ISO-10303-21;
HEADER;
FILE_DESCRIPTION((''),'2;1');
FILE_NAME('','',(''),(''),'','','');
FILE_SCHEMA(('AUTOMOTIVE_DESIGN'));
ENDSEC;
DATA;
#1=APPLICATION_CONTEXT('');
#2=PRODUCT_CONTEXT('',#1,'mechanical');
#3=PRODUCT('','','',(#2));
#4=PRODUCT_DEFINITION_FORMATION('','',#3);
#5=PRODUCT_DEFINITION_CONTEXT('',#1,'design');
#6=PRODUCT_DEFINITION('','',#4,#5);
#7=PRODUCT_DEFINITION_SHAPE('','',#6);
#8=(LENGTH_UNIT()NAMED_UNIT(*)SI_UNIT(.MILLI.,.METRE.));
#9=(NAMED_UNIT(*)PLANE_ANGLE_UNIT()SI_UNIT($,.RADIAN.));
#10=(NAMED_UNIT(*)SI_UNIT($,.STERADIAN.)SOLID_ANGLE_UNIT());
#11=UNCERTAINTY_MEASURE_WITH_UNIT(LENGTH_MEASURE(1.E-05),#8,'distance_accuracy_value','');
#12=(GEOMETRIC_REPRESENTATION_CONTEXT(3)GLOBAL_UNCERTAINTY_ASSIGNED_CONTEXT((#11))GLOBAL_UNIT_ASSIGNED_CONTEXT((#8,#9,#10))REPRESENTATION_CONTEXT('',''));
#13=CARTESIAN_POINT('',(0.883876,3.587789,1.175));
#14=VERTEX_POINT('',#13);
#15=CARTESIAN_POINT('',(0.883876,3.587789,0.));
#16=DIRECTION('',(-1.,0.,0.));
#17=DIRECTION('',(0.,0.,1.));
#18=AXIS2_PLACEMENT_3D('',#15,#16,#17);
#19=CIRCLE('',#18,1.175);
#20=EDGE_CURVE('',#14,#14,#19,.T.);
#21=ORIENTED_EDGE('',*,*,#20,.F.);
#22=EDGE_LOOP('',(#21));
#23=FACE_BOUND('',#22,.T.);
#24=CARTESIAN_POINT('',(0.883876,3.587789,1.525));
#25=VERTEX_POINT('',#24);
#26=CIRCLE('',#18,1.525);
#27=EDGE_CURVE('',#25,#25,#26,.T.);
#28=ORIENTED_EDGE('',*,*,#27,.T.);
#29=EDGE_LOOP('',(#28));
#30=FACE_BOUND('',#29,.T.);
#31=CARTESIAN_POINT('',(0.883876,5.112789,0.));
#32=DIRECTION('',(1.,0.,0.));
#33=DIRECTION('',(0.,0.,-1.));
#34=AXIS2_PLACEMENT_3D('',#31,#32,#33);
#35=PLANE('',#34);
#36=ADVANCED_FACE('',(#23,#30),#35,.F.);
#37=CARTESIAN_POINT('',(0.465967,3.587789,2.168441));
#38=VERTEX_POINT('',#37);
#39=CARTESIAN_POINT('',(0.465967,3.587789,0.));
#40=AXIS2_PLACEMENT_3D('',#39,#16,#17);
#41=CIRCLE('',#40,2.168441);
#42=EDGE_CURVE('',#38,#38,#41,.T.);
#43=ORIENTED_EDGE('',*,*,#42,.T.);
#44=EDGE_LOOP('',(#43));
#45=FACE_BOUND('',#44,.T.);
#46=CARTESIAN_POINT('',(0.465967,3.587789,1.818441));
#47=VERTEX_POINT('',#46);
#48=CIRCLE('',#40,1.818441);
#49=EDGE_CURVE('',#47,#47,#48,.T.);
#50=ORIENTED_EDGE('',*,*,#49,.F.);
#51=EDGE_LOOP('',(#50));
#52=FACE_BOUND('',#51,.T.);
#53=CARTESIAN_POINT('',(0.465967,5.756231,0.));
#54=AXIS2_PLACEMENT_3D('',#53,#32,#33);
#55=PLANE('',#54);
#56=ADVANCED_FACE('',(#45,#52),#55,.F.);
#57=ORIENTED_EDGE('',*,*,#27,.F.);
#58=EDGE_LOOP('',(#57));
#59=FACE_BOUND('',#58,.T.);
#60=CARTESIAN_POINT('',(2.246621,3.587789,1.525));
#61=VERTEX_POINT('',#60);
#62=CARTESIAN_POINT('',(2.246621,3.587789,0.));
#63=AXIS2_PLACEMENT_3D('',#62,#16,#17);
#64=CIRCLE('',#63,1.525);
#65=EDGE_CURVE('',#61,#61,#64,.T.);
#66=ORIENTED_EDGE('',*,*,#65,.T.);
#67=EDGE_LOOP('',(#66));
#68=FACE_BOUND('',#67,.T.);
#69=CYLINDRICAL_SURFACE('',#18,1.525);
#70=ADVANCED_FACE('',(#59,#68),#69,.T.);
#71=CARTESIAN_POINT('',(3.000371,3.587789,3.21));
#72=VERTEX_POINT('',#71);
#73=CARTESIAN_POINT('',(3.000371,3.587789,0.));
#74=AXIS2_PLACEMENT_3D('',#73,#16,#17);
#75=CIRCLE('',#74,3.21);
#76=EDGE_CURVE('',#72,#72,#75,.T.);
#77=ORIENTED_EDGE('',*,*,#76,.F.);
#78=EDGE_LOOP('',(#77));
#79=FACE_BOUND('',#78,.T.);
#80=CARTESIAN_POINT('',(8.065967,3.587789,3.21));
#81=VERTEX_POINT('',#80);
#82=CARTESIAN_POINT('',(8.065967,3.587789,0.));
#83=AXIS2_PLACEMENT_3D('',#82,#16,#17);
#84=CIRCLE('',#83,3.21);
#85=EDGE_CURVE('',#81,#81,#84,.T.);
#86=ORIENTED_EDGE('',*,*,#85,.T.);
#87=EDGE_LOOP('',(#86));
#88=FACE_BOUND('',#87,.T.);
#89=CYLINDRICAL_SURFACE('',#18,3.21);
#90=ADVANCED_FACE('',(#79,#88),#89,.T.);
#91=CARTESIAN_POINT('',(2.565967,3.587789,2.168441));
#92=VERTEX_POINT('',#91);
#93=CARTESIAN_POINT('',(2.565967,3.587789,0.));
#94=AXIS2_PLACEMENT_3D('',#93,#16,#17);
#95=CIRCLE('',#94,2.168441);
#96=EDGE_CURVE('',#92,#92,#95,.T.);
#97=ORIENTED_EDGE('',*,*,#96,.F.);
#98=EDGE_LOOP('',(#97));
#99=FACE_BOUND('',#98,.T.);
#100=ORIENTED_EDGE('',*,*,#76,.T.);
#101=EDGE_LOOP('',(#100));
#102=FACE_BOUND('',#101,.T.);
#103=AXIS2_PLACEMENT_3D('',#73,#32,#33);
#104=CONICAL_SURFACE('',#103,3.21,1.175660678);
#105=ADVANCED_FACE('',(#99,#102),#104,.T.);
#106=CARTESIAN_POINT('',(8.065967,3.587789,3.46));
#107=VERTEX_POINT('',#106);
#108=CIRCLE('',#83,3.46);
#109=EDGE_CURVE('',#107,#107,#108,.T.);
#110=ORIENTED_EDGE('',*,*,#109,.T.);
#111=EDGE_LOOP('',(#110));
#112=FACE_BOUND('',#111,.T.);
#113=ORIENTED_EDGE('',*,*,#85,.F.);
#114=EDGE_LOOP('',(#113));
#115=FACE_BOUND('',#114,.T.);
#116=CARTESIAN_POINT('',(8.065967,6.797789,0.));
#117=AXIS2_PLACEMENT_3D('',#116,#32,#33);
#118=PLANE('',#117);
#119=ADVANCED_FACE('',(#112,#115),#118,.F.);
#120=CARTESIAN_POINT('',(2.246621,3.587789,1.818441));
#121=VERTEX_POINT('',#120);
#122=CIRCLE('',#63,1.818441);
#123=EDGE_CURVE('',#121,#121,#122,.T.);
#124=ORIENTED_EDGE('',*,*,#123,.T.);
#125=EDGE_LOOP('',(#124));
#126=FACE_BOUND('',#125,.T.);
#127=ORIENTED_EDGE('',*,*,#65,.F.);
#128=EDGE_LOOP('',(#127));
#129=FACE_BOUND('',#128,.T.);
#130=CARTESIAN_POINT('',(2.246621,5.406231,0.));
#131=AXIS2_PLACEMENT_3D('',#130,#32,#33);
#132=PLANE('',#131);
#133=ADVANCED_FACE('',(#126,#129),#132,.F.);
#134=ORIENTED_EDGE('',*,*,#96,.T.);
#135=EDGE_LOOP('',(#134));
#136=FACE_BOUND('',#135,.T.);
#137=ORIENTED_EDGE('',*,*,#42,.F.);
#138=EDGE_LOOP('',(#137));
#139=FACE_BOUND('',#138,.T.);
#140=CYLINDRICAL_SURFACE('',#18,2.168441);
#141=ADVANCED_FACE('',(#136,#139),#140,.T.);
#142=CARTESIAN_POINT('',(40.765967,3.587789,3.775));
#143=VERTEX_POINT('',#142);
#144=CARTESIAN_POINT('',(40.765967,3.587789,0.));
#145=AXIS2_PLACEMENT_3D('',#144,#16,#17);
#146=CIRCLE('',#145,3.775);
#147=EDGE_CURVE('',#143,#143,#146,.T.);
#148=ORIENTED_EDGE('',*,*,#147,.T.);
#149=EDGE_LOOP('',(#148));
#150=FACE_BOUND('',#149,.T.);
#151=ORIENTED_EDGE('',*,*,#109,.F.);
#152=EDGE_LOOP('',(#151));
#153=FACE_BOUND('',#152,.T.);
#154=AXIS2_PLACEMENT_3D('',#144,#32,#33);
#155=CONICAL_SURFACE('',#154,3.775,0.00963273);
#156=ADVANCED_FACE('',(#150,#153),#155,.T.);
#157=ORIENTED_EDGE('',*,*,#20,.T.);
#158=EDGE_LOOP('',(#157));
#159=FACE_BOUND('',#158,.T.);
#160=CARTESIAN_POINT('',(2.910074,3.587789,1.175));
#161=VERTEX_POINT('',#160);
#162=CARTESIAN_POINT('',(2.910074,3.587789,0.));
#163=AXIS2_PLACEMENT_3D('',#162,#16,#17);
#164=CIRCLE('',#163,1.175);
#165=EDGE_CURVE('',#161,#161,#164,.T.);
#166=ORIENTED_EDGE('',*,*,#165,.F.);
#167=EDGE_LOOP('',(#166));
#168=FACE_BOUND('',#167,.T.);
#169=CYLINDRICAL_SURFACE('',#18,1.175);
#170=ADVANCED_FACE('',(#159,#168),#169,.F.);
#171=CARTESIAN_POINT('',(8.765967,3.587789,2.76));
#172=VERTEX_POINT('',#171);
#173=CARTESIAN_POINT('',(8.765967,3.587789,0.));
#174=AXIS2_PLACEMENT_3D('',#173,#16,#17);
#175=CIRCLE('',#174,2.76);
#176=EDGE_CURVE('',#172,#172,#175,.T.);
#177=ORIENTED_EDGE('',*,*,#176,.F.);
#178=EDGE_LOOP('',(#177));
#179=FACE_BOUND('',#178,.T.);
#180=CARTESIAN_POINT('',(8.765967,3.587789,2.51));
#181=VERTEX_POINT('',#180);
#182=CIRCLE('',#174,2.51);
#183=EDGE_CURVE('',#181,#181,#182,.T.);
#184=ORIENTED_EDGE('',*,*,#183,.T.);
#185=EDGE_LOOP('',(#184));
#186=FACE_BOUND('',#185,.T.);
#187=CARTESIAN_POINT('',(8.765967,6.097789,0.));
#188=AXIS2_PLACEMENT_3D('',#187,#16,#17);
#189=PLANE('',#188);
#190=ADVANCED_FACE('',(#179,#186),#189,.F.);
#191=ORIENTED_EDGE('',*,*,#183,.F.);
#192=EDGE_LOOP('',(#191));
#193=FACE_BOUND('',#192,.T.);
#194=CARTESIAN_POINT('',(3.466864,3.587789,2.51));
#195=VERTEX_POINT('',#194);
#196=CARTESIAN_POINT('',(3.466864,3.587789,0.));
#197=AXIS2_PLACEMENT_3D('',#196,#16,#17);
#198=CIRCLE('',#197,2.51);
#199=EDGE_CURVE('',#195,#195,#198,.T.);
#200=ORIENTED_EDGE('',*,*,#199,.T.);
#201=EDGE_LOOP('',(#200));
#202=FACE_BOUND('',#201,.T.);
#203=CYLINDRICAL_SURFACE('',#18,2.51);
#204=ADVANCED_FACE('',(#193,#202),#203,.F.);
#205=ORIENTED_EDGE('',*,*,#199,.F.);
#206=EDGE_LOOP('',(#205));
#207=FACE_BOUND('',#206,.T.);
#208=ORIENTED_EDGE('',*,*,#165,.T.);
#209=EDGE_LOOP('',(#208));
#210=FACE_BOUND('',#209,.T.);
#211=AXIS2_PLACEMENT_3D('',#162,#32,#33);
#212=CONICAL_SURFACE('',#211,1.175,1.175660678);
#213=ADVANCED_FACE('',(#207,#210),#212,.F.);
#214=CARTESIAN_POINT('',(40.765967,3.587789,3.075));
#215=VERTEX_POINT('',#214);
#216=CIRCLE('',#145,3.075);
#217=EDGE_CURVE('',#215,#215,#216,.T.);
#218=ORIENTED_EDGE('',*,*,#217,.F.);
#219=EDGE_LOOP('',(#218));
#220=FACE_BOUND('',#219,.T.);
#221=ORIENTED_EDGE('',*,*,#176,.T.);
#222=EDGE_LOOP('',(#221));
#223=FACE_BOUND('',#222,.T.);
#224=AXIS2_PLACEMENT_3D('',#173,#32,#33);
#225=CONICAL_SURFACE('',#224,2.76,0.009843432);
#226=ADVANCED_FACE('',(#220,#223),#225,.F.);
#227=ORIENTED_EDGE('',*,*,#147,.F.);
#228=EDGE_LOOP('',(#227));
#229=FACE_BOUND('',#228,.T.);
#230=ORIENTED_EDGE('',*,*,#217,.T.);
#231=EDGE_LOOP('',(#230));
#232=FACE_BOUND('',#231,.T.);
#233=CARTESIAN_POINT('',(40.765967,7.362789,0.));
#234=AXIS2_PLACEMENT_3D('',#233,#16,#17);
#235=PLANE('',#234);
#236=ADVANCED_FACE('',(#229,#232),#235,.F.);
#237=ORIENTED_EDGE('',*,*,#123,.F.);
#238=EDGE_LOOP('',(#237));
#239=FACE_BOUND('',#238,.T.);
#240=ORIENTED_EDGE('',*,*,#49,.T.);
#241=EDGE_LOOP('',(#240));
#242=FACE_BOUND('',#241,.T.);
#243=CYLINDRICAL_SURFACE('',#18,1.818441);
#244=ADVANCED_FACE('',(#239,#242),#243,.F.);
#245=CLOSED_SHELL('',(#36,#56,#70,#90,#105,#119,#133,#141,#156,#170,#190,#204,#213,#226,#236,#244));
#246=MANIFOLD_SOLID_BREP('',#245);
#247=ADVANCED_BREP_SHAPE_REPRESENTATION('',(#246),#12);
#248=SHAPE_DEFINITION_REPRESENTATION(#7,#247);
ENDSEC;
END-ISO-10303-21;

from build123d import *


with BuildPart() as part:
    # Esboço1 → Revolução1 (revolve)
    with BuildSketch(Plane.XY, mode=Mode.PRIVATE) as revolu_o1_sk:
        Polygon((0.465967208, 5.756230657), (2.565967208, 5.756230657), (3.000371133, 6.797789179), (8.065967208, 6.797789179), (8.065967208, 7.047789179), (40.765967208, 7.362789179), (40.765967208, 7.047789179), (40.765967208, 6.662789179), (8.765967208, 6.347789179), (8.765967208, 6.097789179), (7.343223511, 6.097789179), (3.466863641, 6.097789179), (2.910073766, 4.762789179), (2.246620738, 4.762789179), (0.88387569, 4.762789179), (0.88387569, 5.112789179), (2.246620738, 5.112789179), (2.246620738, 5.406230657), (0.465967208, 5.406230657), align=None)
    revolve(revolu_o1_sk.sketch.rotate(Axis((0.88387569, 3.587789179, 0), (1, 0, 0)), 90), axis=Axis((0.88387569, 3.587789179, 0), (1, 0, 0)))


solid = part.part
